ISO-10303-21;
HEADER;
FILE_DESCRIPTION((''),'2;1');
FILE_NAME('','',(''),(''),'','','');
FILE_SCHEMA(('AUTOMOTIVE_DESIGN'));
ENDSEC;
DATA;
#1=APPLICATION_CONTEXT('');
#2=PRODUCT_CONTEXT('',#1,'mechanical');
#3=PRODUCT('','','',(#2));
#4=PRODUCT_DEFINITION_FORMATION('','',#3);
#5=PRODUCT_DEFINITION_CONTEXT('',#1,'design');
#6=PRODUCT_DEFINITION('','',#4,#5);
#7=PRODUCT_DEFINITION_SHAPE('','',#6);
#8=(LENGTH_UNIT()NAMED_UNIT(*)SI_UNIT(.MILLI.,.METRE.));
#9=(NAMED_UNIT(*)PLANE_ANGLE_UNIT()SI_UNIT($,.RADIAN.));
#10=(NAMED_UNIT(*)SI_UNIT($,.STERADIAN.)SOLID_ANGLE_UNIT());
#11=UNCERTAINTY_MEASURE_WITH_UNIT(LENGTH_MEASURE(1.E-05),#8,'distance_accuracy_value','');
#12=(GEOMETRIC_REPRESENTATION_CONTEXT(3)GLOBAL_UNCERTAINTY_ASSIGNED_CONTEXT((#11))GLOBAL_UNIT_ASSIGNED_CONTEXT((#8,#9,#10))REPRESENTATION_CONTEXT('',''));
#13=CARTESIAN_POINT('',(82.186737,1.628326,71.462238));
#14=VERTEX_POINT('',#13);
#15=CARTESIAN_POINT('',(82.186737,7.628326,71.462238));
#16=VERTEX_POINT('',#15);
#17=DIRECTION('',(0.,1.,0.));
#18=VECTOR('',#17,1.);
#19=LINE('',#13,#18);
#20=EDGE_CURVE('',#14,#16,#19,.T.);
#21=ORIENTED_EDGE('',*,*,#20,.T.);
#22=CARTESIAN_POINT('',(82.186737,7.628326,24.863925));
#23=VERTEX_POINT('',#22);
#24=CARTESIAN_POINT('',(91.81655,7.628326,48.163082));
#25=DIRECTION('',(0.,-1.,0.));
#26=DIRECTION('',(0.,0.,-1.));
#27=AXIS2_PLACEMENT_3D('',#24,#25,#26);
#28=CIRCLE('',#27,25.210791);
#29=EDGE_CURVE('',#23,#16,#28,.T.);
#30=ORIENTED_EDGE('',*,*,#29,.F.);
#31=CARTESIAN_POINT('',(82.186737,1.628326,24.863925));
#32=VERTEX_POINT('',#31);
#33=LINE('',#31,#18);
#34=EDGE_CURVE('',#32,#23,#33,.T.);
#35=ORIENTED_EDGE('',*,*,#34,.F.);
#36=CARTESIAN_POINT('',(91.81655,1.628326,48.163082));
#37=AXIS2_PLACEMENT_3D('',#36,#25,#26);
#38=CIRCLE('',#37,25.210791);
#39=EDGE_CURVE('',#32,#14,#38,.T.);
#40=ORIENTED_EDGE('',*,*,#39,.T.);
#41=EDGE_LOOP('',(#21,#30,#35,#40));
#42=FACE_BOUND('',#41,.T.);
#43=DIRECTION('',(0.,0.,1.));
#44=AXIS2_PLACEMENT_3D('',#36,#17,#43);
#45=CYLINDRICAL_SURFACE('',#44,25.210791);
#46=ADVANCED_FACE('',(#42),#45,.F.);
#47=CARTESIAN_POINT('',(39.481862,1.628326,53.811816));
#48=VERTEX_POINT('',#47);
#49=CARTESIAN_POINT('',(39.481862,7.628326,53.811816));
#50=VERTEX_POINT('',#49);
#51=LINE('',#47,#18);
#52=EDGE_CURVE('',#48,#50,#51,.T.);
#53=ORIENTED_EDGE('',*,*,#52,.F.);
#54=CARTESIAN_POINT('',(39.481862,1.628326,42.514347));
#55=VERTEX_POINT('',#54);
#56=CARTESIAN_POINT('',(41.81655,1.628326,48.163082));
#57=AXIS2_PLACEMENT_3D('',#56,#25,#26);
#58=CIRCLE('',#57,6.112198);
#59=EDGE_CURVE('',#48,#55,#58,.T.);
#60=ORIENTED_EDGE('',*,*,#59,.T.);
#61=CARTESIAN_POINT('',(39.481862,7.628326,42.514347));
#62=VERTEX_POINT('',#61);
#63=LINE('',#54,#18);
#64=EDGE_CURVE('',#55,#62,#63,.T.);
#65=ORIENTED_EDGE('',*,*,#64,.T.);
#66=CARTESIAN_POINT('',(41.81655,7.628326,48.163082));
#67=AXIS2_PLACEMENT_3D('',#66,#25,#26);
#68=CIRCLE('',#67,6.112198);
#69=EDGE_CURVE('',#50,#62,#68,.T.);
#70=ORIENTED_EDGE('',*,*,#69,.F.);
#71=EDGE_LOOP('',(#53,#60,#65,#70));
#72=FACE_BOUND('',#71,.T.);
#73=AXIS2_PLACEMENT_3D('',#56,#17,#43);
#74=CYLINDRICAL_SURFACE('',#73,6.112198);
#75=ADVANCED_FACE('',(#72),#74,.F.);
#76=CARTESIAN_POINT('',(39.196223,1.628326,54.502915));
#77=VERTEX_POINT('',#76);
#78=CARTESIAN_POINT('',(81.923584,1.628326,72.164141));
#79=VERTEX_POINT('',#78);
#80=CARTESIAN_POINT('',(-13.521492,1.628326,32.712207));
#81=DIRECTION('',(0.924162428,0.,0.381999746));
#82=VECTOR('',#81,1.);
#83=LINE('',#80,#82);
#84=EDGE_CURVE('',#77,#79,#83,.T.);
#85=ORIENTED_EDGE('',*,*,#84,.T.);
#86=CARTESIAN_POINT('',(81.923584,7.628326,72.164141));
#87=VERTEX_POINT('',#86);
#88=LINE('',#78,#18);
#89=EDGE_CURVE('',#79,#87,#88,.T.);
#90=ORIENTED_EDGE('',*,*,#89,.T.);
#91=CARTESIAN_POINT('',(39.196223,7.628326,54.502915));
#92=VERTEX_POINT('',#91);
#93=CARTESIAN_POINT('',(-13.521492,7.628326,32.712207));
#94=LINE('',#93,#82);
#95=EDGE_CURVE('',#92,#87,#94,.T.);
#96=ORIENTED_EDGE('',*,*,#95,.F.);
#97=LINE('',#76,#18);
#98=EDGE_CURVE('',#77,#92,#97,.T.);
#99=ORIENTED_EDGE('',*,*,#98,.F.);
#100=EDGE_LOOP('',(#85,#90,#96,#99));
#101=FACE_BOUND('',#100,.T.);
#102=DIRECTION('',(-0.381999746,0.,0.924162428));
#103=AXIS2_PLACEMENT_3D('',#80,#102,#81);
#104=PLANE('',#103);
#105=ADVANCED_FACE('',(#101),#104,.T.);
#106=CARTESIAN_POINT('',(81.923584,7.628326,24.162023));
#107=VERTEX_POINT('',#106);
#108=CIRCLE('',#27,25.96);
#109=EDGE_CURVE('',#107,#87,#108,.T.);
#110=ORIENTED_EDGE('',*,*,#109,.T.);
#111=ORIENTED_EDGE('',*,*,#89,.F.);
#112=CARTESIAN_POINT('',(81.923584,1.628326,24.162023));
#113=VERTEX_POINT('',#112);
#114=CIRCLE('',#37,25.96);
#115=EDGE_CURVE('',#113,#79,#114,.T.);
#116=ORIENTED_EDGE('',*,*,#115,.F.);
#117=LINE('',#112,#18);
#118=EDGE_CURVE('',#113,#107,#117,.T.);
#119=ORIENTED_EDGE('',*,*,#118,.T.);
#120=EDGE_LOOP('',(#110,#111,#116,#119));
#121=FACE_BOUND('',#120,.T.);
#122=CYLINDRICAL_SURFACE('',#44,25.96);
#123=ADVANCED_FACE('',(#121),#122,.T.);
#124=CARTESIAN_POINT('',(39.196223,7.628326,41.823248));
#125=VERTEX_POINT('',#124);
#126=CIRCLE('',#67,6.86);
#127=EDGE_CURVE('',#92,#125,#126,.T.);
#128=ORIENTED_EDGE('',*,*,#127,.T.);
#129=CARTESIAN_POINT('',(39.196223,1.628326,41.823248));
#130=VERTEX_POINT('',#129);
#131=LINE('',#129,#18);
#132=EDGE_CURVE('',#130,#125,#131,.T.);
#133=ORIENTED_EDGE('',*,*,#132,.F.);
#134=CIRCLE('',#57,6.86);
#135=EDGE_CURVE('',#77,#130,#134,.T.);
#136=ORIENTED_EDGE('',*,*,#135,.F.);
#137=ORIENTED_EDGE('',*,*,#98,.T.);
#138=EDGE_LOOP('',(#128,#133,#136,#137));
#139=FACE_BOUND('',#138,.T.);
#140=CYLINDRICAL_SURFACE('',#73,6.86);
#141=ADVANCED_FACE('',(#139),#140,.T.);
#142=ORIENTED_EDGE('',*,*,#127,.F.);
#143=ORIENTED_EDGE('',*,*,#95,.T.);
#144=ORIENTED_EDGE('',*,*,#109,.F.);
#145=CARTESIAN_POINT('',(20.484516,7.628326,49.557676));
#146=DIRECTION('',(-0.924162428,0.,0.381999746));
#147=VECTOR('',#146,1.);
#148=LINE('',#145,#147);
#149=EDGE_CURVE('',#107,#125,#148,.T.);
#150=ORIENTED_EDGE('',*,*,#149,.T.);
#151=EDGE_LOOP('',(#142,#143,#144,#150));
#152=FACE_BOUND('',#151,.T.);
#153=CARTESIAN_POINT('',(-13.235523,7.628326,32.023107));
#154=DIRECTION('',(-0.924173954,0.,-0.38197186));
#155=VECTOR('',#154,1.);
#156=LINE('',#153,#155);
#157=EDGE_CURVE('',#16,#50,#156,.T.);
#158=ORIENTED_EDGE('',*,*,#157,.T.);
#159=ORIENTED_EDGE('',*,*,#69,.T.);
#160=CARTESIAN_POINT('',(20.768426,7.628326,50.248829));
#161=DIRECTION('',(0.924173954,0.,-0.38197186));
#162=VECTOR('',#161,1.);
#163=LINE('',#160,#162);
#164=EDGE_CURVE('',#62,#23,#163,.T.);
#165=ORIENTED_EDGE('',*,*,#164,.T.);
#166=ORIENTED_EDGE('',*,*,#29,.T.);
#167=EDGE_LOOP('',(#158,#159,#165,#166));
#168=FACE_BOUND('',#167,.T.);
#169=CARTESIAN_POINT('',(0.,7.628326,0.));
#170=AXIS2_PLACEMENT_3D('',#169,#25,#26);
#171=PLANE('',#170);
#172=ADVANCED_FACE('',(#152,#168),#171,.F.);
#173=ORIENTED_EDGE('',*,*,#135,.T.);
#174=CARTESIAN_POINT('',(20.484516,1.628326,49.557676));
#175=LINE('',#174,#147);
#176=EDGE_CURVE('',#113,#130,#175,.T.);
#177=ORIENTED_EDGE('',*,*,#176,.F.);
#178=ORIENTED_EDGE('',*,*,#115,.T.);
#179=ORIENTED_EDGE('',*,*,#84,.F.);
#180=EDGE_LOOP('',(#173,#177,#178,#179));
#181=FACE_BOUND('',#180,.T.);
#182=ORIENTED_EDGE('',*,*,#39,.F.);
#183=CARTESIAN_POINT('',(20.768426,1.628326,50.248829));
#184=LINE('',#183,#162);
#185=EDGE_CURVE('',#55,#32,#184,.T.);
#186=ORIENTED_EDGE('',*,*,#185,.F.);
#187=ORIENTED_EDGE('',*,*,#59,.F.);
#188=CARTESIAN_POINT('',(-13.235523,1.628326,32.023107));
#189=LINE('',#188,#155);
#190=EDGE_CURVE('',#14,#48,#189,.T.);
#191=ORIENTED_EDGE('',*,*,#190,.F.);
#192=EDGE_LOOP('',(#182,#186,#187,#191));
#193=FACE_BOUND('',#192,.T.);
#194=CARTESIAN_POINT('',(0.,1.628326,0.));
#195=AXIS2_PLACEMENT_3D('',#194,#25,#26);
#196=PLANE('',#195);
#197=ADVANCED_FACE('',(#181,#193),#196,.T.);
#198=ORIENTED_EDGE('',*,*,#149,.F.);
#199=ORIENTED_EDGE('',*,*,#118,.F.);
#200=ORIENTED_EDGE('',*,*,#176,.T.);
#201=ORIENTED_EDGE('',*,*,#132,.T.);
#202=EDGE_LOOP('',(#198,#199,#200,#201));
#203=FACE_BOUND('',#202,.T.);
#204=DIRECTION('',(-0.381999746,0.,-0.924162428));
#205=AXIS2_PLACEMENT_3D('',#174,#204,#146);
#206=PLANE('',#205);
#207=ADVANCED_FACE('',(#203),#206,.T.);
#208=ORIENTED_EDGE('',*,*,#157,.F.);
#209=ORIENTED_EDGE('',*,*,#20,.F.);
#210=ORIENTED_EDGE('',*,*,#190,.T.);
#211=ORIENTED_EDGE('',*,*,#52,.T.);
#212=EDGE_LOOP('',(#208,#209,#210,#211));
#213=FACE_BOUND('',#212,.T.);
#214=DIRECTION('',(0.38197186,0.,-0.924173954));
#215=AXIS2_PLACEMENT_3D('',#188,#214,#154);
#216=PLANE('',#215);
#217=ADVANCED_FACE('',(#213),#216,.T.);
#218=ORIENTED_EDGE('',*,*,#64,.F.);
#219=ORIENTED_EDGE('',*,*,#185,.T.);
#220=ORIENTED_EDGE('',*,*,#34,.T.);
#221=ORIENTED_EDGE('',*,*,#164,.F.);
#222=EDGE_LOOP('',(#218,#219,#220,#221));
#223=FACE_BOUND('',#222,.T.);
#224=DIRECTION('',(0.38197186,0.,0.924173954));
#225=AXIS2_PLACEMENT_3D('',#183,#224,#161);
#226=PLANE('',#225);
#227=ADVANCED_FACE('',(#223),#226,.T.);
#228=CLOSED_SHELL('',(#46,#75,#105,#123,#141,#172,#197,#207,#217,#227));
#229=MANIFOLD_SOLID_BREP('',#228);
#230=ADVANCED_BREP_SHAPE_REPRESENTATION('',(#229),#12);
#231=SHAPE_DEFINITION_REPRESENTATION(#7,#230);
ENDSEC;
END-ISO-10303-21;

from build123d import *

# Parameters (mm, degrees)
BOSS_EXTRUDE1_DEPTH = 6


with BuildPart() as part:
    # Sketch1 → Boss-Extrude1 (new body)
    with BuildSketch(Plane.XZ.offset(-7.628326304)):
        with BuildLine():
            Line((81.876098577, 72.144512579), (39.196222867, 54.502914987))
            ThreePointArc((39.196222867, 54.502914987), (34.956549827, 48.163081659), (39.196222867, 41.823248331))
            Line((39.196222867, 41.823248331), (81.876098577, 24.18165074))
            Line((81.876098577, 24.18165074), (81.923583987, 24.162022789))
            ThreePointArc((81.923583987, 24.162022789), (117.776549827, 48.163081659), (81.923583987, 72.164140529))
            Line((81.923583987, 72.164140529), (81.876098577, 72.144512579))
        make_face()
        with BuildLine():
            Line((82.186737097, 24.863925245), (39.481862188, 42.514347463))
            ThreePointArc((39.481862188, 42.514347463), (35.704351827, 48.163081659), (39.481862188, 53.811815856))
            Line((39.481862188, 53.811815856), (82.186737097, 71.462238074))
            ThreePointArc((82.186737097, 71.462238074), (117.027340827, 48.163081659), (82.186737097, 24.863925245))
        make_face(mode=Mode.SUBTRACT)
    extrude(amount=BOSS_EXTRUDE1_DEPTH)


solid = part.part
